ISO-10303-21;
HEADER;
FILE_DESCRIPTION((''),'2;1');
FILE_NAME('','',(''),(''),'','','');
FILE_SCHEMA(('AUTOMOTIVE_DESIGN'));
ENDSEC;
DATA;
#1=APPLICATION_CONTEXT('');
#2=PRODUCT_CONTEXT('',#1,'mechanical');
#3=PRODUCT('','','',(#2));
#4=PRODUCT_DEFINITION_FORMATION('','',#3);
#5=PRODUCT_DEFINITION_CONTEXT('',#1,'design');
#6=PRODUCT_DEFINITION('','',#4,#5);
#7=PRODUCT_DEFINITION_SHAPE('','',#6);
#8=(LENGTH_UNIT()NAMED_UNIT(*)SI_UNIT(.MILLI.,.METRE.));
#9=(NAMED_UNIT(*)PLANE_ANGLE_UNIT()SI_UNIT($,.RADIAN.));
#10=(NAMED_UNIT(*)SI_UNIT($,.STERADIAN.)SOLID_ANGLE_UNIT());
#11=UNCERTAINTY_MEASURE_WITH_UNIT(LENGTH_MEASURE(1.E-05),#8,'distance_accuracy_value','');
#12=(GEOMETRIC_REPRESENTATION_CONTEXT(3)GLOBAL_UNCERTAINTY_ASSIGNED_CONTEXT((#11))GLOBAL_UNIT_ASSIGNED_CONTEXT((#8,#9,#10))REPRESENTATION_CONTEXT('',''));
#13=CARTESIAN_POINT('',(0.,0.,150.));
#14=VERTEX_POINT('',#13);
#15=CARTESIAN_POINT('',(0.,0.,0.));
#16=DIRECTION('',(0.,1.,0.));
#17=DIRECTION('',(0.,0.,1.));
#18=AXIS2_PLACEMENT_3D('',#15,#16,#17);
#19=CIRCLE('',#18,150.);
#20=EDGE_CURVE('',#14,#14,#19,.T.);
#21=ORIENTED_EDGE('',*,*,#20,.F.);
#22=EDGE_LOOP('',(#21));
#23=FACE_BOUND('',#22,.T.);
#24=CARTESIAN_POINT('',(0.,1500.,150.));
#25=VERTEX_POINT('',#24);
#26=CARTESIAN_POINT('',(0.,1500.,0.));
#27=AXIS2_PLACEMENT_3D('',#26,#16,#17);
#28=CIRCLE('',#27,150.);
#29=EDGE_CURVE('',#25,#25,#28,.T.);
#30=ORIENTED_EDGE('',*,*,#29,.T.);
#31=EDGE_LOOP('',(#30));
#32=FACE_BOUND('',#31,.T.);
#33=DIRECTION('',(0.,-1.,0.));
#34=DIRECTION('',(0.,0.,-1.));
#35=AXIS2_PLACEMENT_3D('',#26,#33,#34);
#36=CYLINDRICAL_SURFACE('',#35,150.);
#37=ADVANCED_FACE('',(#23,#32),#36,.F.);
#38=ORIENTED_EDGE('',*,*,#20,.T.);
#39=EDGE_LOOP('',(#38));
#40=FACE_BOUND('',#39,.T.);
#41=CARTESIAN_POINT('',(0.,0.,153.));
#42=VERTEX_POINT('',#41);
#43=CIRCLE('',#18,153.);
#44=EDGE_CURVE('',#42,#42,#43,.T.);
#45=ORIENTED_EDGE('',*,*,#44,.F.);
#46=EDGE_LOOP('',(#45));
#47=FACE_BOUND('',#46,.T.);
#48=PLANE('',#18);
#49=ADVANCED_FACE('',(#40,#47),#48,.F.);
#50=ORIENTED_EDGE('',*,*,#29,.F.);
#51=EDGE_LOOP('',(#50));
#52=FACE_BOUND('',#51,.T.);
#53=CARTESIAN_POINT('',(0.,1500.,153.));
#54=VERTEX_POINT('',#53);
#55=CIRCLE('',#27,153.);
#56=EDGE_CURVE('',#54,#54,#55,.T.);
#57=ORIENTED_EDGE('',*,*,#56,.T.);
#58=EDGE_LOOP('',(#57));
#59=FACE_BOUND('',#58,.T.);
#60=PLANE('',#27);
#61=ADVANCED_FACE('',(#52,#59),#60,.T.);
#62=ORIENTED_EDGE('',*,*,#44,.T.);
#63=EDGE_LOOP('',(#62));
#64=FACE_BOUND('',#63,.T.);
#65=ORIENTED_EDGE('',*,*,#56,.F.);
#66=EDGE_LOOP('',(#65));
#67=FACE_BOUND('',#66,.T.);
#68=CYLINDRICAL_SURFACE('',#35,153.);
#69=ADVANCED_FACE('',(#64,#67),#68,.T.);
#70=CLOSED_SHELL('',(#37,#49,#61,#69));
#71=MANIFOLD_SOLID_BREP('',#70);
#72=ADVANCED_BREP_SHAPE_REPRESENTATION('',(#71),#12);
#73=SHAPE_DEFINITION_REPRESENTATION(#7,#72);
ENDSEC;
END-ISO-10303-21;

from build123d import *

# Parameters (mm, degrees)
CROQUIS1_R              = 153
CROQUIS1_R_2            = 150
SALIENTE_EXTRUIR1_DEPTH = 1500


with BuildPart() as part:
    # Croquis1 → Saliente-Extruir1 (new body)
    with BuildSketch(Plane(origin=(0, 0, 0), x_dir=(1, 0, 0), z_dir=(0, 1, 0))):
        Circle(CROQUIS1_R)
        Circle(CROQUIS1_R_2, mode=Mode.SUBTRACT)
    extrude(amount=SALIENTE_EXTRUIR1_DEPTH)


solid = part.part
